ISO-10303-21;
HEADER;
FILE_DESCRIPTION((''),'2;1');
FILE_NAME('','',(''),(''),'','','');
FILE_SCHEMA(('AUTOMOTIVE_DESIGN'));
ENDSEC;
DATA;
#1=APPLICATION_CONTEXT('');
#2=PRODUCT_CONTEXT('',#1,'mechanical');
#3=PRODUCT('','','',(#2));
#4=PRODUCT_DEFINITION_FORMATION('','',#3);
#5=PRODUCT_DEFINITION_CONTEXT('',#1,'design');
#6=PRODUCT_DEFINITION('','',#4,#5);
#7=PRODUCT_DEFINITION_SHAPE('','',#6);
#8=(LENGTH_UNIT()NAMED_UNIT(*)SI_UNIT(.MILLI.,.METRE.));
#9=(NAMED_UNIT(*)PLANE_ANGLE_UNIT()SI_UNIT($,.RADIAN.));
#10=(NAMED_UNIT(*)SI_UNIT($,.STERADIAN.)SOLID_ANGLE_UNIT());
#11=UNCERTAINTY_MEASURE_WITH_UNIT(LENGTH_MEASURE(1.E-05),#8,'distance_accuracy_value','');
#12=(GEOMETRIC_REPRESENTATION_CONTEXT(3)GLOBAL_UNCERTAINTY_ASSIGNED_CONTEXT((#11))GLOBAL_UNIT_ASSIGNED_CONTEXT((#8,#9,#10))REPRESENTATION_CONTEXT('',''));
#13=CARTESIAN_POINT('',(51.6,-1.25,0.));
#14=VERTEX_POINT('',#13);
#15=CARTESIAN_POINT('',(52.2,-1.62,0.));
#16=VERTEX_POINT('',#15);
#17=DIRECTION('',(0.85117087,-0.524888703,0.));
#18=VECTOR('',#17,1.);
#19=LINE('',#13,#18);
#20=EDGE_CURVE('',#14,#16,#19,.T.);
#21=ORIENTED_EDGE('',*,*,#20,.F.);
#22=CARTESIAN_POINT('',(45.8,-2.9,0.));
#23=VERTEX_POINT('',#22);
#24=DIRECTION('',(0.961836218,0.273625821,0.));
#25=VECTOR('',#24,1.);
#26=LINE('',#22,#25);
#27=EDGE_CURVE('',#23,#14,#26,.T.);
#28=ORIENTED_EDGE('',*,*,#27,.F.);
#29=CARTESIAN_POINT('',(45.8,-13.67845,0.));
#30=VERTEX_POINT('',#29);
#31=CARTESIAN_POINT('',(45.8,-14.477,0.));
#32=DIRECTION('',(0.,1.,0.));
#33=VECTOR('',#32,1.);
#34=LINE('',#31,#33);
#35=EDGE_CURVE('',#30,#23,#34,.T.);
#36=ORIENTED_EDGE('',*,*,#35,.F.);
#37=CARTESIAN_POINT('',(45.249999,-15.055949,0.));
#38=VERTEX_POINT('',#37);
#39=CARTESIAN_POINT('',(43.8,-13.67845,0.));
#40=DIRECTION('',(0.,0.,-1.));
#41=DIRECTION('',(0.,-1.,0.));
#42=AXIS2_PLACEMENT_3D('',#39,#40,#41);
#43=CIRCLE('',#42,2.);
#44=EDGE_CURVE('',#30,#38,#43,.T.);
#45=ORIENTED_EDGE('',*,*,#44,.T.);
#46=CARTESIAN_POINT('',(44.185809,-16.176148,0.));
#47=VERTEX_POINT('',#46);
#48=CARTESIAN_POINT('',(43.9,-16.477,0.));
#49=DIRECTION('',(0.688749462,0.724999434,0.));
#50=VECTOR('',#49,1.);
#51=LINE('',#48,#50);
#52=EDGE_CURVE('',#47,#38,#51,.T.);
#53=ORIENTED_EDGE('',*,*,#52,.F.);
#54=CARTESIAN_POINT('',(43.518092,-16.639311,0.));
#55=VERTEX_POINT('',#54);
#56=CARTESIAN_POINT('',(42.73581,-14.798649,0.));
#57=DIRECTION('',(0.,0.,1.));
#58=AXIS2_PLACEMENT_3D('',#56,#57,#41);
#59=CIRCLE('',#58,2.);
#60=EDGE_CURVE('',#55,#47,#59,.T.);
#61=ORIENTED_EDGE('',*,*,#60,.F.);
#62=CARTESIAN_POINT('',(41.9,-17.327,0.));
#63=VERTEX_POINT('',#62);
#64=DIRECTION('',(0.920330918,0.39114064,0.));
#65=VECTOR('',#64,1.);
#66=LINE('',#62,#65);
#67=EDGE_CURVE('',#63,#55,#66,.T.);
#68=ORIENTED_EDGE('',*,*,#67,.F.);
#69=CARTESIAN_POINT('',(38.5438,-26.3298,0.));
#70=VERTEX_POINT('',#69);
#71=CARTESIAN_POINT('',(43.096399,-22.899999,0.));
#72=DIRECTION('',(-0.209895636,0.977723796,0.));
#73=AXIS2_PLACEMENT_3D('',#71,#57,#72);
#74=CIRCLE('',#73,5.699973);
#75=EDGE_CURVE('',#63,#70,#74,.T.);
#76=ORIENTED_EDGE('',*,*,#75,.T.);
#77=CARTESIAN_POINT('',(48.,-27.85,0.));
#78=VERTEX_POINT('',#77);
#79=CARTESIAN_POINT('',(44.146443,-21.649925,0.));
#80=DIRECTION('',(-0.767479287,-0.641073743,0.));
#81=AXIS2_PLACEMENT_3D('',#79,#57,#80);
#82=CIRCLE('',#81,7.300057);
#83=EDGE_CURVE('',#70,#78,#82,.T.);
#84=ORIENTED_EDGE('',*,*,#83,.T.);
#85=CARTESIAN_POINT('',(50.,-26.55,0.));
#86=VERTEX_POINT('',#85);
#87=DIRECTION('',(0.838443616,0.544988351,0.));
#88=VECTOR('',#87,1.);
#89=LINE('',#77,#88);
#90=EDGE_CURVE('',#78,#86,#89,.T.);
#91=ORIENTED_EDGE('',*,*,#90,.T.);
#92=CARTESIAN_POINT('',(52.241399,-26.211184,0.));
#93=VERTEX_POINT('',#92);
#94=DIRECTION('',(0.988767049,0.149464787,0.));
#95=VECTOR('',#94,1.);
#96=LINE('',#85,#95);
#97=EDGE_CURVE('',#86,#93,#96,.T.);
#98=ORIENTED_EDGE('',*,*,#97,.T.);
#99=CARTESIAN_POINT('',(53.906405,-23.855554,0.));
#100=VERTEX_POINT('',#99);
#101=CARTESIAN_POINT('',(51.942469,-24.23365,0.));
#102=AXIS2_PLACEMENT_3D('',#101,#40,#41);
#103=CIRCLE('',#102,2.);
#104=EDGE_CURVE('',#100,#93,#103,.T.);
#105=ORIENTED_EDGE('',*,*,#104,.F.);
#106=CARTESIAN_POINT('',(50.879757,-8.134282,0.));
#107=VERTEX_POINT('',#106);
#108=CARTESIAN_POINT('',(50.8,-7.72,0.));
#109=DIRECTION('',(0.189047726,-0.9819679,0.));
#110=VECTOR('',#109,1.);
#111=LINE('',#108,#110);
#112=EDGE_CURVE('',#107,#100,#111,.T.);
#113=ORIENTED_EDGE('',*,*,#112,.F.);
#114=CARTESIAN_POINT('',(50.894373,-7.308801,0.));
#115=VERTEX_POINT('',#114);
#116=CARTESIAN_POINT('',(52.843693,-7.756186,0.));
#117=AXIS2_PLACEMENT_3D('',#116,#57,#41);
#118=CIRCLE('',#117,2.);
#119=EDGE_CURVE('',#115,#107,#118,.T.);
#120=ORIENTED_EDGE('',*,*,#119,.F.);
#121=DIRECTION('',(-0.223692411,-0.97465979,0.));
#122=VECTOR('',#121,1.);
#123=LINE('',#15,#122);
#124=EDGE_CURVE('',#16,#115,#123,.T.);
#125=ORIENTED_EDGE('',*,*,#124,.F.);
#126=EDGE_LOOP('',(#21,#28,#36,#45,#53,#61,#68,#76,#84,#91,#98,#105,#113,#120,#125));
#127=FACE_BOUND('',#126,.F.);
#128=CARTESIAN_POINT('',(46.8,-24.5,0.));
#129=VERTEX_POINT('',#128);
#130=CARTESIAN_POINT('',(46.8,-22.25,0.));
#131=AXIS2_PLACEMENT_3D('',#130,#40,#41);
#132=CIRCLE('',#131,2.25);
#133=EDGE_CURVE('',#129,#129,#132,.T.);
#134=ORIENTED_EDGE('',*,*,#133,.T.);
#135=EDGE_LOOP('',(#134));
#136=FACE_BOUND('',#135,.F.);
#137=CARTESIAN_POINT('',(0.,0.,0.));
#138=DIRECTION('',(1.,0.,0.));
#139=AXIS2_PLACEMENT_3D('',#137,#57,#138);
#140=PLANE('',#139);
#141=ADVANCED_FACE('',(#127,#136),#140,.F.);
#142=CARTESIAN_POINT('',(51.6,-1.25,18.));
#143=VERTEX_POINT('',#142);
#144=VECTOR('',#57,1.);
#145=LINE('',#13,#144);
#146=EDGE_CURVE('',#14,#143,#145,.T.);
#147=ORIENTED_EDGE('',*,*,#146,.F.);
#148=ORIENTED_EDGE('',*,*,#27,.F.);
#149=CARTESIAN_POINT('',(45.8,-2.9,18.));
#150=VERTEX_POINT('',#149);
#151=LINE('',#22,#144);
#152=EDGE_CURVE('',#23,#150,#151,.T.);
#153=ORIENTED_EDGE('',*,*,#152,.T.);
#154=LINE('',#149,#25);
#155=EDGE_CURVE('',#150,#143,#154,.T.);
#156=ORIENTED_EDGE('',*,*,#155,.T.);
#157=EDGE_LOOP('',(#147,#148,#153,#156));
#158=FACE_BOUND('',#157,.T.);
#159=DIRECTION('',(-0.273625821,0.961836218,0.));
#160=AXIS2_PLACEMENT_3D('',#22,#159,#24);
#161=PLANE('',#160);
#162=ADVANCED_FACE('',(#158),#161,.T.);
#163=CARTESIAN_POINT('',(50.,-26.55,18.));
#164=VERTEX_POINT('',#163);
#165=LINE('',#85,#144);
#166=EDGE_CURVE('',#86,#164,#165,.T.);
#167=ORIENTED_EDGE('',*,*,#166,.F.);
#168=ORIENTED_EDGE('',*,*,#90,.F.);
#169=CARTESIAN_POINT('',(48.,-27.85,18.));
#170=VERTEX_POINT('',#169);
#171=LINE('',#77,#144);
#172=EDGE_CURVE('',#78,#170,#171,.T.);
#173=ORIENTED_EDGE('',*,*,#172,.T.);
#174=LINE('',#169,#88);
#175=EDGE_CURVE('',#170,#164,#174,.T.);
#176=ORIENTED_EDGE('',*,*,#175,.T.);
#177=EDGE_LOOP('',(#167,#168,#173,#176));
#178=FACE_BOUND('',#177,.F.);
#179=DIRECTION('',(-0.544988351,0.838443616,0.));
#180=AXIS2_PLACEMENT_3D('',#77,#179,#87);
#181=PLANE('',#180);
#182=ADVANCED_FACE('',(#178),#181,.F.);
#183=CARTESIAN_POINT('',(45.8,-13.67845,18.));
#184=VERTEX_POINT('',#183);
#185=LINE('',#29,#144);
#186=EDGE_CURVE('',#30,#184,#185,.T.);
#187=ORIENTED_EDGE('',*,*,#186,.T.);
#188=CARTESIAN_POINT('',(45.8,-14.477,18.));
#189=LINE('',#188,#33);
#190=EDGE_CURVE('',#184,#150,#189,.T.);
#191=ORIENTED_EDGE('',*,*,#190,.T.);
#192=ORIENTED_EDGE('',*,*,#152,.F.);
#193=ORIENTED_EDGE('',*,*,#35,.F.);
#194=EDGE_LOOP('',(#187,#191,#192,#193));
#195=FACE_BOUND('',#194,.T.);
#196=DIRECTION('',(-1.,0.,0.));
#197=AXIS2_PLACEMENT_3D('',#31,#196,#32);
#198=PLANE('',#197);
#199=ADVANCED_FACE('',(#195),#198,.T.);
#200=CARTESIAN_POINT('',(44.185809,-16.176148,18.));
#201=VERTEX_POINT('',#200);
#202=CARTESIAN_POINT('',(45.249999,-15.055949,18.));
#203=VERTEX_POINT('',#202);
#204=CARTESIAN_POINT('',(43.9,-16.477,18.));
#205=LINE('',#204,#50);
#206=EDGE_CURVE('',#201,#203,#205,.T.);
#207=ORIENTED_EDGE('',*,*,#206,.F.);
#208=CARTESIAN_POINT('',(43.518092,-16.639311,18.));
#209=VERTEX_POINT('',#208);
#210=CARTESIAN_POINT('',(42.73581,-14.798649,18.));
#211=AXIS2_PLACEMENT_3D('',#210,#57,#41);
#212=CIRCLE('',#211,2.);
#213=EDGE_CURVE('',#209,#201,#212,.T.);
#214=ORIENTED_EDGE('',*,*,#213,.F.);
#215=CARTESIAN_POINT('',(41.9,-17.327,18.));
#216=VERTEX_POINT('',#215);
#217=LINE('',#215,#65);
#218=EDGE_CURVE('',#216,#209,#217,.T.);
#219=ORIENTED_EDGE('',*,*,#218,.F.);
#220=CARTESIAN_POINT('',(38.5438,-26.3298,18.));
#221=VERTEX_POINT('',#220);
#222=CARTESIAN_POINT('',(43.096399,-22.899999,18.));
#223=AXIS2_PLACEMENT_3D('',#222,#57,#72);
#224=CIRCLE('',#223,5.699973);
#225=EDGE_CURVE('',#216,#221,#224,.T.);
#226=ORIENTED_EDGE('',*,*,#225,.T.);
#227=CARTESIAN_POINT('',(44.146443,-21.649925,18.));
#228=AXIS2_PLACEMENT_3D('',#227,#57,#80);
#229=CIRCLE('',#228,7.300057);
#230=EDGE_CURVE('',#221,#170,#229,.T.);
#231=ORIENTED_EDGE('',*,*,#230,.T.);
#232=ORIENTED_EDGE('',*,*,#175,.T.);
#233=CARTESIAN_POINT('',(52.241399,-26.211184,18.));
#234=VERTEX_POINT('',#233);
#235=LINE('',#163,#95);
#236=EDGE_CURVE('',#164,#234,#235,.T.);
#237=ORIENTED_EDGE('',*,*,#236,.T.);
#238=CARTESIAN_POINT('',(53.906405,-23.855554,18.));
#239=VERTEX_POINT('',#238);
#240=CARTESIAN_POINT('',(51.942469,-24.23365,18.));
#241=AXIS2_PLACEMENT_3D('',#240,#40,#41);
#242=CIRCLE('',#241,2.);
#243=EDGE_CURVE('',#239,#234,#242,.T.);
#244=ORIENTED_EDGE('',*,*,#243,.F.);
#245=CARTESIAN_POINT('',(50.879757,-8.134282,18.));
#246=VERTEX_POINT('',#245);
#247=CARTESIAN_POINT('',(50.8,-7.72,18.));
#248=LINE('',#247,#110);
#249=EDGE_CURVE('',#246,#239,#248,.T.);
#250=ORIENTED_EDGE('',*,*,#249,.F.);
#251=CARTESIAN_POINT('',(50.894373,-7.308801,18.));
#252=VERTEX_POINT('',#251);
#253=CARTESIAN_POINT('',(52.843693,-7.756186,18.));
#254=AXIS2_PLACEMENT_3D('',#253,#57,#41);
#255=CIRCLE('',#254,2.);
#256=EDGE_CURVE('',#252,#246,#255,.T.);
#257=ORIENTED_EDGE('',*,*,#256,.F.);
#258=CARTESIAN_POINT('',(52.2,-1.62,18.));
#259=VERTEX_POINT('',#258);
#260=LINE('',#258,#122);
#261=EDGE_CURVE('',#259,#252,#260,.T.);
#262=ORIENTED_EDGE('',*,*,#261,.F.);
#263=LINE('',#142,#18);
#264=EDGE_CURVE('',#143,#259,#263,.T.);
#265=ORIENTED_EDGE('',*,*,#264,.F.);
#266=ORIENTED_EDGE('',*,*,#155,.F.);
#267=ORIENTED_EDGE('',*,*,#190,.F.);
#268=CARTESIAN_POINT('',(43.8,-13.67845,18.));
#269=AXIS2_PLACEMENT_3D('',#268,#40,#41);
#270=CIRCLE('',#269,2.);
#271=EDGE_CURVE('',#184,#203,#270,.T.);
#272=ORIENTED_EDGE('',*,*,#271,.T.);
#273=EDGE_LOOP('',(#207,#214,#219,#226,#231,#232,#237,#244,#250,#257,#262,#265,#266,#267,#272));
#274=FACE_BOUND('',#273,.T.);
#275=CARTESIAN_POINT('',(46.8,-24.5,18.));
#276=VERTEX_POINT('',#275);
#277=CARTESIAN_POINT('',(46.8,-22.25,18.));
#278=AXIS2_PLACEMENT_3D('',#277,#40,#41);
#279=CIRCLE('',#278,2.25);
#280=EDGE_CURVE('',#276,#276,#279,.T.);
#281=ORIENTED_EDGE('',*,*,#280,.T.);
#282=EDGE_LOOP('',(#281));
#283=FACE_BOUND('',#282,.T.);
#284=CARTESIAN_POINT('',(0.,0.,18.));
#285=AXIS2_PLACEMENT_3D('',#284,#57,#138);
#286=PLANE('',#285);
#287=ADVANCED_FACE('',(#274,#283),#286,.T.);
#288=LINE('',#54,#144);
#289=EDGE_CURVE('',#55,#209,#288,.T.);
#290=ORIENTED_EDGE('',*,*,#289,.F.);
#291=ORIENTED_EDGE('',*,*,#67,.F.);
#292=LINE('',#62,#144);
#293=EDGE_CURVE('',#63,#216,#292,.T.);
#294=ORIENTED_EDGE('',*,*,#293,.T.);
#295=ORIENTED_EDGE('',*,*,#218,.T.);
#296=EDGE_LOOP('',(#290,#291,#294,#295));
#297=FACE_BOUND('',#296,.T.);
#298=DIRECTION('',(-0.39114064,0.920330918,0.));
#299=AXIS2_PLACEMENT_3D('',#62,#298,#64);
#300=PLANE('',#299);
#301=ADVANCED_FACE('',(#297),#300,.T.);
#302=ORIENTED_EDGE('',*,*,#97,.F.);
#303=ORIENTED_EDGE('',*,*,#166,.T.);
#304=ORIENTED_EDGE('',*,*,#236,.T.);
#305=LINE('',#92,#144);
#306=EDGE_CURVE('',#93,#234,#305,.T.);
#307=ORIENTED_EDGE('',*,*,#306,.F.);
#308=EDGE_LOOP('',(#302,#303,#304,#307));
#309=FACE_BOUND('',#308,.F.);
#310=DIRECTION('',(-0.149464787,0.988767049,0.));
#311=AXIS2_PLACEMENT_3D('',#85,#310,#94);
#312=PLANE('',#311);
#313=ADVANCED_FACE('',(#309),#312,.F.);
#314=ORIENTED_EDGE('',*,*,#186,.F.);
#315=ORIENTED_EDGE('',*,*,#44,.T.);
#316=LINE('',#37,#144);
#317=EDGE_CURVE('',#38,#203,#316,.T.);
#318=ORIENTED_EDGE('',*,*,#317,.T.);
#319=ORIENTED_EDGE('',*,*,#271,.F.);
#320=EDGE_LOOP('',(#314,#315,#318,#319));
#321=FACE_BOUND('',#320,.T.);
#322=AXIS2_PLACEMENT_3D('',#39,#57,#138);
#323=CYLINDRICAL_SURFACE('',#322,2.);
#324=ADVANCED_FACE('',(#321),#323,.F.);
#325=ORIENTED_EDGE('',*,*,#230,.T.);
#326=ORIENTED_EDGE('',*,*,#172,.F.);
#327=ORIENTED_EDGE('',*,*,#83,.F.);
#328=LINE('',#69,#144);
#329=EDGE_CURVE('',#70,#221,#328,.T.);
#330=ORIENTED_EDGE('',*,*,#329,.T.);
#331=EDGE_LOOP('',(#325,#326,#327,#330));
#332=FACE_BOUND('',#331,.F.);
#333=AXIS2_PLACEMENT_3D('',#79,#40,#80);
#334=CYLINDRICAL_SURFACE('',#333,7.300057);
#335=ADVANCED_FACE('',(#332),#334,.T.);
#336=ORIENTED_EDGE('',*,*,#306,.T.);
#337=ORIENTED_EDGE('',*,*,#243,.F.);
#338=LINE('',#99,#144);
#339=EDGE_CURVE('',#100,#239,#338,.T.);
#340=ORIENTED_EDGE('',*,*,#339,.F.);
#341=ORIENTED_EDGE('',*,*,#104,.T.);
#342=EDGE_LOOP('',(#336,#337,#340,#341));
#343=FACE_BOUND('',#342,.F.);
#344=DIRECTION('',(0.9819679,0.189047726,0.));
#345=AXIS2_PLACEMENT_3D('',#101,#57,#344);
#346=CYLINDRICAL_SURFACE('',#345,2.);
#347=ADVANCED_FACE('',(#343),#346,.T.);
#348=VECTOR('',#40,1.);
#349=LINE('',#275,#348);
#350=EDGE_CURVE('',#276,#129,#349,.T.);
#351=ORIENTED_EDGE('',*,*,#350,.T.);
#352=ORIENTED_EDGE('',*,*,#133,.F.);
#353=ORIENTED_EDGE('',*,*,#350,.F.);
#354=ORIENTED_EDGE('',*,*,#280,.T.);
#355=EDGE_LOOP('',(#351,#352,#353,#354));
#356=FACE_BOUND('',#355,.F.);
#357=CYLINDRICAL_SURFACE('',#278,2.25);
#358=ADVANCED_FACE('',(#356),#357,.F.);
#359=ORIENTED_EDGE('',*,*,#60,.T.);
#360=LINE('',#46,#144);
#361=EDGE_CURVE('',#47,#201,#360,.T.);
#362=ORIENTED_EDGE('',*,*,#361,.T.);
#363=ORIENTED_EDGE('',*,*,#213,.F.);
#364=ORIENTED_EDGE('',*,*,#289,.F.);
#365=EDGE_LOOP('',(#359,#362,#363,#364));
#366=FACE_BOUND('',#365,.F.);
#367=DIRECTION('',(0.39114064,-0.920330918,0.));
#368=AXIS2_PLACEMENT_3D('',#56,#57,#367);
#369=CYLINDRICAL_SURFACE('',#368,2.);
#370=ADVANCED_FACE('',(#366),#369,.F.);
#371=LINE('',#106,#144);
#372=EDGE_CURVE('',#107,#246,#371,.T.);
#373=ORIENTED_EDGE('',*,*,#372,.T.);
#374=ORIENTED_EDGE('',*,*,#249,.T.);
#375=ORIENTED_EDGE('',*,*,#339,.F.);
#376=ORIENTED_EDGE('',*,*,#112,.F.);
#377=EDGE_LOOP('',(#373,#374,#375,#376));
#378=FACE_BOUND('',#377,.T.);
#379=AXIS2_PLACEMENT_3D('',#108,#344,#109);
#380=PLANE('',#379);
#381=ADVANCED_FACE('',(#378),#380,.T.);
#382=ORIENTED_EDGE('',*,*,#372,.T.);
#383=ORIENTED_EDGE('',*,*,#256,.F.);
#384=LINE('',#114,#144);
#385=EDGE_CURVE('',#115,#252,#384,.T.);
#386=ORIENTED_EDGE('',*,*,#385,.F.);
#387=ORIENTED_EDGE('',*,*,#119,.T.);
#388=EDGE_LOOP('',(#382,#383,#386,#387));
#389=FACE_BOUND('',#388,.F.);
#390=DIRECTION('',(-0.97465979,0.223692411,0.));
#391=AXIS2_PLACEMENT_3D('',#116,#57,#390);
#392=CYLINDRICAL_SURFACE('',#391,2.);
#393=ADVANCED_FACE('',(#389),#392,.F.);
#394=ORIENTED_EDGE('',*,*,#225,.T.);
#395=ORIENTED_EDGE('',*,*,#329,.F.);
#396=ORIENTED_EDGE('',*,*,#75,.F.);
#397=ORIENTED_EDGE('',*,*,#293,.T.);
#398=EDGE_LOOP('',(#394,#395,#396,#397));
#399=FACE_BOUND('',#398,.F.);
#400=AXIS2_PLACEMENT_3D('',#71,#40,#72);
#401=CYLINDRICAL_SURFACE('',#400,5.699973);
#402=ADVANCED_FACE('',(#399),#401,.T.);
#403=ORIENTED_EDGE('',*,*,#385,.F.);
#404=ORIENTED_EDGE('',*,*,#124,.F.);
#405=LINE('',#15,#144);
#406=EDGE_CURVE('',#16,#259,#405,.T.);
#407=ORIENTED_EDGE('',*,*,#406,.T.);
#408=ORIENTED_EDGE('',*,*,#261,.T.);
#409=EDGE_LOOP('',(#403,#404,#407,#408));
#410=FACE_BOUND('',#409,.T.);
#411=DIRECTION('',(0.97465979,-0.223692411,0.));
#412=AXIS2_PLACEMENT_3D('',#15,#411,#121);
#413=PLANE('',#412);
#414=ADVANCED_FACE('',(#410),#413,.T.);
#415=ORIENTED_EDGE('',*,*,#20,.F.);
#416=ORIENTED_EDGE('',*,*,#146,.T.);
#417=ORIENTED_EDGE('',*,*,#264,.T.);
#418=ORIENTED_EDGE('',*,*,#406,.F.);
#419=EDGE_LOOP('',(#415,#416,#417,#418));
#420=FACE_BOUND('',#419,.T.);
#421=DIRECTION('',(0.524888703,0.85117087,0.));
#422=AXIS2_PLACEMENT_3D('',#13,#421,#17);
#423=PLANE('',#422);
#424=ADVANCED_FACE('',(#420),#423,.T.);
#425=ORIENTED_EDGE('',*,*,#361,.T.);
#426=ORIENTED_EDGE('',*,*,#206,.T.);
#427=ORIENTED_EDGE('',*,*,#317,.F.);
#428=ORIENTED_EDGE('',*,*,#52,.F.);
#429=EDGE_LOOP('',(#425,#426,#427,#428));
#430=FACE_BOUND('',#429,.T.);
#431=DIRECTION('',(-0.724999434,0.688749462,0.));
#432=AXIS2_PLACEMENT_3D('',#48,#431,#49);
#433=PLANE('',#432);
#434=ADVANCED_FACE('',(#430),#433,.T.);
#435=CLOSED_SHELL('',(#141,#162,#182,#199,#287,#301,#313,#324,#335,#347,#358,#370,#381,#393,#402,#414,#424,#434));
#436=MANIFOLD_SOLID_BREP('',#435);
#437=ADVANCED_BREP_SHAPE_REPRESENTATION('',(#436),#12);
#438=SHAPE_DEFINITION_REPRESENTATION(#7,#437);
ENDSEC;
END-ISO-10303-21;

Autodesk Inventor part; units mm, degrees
ref_plane "YZ Plane" through (0, 0, 0) normal (1, 0, 0) x (0, 1, 0)
ref_plane "XZ Plane" through (0, 0, 0) normal (0, 1, 0) x (-1, 0, 0)
ref_plane "XY Plane" through (0, 0, 0) normal (0, 0, 1) x (1, 0, 0)
sketch "Sketch1" plane through (0, 0, 0) normal (0, 0, 1) x (1, 0, 0)
  line L0 (0, 0) -> (89.1946, 0) construction
  line L1 (89.1946, 0) -> (89.1946, -45.0628) construction
  line L2 (89.1946, -45.0628) -> (0, -45.0628) construction
  line L3 (0, -45.0628) -> (0, 0) construction
  line L4 (45.8, -14.477) -> (45.8, -2.9)
  line L5 (45.8, -2.9) -> (51.6, -1.25)
  line L6 (51.6, -1.25) -> (52.2, -1.62)
  line L7 (52.2, -1.62) -> (50.8, -7.72)
  line L8 (50.8, -7.72) -> (54.3, -25.9)
  line L9 (48, -27.85) -> (50, -26.55)
  line L10 (50, -26.55) -> (54.3, -25.9)
  arc A0 (38.5438, -26.3298) -> (48, -27.85) centre (44.1464, -21.65) ccw
  arc A1 (41.9, -17.327) -> (38.5438, -26.3298) centre (43.0964, -22.9) ccw
  line L11 (43.9, -16.477) -> (45.8, -14.477)
  line L12 (41.9, -17.327) -> (43.9, -16.477)
  dimension "d26" = 45.8
  dimension "d27" = 2.9
  dimension "d29" = 5.8
  dimension "d30" = 1.65
  dimension "d31" = 0.6
  dimension "d32" = 0.37
  dimension "d33" = 6.1
  dimension "d34" = 1.4
  dimension "d36" = 3.5
  dimension "d37" = 0.65
  dimension "d38" = 4.3
  dimension "d39" = 1.3
  dimension "d40" = 2
  dimension "d41" = 7.3
  dimension "d42" = 5.7
  dimension "d44" = 1.05
  dimension "d45" = 1.25
  dimension "d46" = 20
  dimension "d47" = 0.85
  dimension "d48" = 2
  dimension "d49" = 2
  dimension "d50" = 1.9
  dimension "d65" = 23
extrude "Extrusion2" add sketch "Sketch1" along normal blind 18
fillet "Fillet1" radius 2 4 edges at (54.3, -25.9, 9) (45.8, -14.477, 9) (43.9, -16.477, 9) (50.8, -7.72, 9)
sketch "Sketch3" plane through (0, 0, 18) normal (0, 0, 1) x (1, 0, 0)
  line L0 (45.8, -2.9) -> (45.8, -13.6784) projected
  point P0 (51.6, -1.25)
  point P1 (0, 0)
  point P2 (46.8, -22.25)
  dimension "d54" = 1
  dimension "d55" = 21
hole "Hole1" at (46.8, -22.25, 18) direction (0, 0, -1) diameter 4.5 end through all
properties part number "ExtruderSatoerCam"
